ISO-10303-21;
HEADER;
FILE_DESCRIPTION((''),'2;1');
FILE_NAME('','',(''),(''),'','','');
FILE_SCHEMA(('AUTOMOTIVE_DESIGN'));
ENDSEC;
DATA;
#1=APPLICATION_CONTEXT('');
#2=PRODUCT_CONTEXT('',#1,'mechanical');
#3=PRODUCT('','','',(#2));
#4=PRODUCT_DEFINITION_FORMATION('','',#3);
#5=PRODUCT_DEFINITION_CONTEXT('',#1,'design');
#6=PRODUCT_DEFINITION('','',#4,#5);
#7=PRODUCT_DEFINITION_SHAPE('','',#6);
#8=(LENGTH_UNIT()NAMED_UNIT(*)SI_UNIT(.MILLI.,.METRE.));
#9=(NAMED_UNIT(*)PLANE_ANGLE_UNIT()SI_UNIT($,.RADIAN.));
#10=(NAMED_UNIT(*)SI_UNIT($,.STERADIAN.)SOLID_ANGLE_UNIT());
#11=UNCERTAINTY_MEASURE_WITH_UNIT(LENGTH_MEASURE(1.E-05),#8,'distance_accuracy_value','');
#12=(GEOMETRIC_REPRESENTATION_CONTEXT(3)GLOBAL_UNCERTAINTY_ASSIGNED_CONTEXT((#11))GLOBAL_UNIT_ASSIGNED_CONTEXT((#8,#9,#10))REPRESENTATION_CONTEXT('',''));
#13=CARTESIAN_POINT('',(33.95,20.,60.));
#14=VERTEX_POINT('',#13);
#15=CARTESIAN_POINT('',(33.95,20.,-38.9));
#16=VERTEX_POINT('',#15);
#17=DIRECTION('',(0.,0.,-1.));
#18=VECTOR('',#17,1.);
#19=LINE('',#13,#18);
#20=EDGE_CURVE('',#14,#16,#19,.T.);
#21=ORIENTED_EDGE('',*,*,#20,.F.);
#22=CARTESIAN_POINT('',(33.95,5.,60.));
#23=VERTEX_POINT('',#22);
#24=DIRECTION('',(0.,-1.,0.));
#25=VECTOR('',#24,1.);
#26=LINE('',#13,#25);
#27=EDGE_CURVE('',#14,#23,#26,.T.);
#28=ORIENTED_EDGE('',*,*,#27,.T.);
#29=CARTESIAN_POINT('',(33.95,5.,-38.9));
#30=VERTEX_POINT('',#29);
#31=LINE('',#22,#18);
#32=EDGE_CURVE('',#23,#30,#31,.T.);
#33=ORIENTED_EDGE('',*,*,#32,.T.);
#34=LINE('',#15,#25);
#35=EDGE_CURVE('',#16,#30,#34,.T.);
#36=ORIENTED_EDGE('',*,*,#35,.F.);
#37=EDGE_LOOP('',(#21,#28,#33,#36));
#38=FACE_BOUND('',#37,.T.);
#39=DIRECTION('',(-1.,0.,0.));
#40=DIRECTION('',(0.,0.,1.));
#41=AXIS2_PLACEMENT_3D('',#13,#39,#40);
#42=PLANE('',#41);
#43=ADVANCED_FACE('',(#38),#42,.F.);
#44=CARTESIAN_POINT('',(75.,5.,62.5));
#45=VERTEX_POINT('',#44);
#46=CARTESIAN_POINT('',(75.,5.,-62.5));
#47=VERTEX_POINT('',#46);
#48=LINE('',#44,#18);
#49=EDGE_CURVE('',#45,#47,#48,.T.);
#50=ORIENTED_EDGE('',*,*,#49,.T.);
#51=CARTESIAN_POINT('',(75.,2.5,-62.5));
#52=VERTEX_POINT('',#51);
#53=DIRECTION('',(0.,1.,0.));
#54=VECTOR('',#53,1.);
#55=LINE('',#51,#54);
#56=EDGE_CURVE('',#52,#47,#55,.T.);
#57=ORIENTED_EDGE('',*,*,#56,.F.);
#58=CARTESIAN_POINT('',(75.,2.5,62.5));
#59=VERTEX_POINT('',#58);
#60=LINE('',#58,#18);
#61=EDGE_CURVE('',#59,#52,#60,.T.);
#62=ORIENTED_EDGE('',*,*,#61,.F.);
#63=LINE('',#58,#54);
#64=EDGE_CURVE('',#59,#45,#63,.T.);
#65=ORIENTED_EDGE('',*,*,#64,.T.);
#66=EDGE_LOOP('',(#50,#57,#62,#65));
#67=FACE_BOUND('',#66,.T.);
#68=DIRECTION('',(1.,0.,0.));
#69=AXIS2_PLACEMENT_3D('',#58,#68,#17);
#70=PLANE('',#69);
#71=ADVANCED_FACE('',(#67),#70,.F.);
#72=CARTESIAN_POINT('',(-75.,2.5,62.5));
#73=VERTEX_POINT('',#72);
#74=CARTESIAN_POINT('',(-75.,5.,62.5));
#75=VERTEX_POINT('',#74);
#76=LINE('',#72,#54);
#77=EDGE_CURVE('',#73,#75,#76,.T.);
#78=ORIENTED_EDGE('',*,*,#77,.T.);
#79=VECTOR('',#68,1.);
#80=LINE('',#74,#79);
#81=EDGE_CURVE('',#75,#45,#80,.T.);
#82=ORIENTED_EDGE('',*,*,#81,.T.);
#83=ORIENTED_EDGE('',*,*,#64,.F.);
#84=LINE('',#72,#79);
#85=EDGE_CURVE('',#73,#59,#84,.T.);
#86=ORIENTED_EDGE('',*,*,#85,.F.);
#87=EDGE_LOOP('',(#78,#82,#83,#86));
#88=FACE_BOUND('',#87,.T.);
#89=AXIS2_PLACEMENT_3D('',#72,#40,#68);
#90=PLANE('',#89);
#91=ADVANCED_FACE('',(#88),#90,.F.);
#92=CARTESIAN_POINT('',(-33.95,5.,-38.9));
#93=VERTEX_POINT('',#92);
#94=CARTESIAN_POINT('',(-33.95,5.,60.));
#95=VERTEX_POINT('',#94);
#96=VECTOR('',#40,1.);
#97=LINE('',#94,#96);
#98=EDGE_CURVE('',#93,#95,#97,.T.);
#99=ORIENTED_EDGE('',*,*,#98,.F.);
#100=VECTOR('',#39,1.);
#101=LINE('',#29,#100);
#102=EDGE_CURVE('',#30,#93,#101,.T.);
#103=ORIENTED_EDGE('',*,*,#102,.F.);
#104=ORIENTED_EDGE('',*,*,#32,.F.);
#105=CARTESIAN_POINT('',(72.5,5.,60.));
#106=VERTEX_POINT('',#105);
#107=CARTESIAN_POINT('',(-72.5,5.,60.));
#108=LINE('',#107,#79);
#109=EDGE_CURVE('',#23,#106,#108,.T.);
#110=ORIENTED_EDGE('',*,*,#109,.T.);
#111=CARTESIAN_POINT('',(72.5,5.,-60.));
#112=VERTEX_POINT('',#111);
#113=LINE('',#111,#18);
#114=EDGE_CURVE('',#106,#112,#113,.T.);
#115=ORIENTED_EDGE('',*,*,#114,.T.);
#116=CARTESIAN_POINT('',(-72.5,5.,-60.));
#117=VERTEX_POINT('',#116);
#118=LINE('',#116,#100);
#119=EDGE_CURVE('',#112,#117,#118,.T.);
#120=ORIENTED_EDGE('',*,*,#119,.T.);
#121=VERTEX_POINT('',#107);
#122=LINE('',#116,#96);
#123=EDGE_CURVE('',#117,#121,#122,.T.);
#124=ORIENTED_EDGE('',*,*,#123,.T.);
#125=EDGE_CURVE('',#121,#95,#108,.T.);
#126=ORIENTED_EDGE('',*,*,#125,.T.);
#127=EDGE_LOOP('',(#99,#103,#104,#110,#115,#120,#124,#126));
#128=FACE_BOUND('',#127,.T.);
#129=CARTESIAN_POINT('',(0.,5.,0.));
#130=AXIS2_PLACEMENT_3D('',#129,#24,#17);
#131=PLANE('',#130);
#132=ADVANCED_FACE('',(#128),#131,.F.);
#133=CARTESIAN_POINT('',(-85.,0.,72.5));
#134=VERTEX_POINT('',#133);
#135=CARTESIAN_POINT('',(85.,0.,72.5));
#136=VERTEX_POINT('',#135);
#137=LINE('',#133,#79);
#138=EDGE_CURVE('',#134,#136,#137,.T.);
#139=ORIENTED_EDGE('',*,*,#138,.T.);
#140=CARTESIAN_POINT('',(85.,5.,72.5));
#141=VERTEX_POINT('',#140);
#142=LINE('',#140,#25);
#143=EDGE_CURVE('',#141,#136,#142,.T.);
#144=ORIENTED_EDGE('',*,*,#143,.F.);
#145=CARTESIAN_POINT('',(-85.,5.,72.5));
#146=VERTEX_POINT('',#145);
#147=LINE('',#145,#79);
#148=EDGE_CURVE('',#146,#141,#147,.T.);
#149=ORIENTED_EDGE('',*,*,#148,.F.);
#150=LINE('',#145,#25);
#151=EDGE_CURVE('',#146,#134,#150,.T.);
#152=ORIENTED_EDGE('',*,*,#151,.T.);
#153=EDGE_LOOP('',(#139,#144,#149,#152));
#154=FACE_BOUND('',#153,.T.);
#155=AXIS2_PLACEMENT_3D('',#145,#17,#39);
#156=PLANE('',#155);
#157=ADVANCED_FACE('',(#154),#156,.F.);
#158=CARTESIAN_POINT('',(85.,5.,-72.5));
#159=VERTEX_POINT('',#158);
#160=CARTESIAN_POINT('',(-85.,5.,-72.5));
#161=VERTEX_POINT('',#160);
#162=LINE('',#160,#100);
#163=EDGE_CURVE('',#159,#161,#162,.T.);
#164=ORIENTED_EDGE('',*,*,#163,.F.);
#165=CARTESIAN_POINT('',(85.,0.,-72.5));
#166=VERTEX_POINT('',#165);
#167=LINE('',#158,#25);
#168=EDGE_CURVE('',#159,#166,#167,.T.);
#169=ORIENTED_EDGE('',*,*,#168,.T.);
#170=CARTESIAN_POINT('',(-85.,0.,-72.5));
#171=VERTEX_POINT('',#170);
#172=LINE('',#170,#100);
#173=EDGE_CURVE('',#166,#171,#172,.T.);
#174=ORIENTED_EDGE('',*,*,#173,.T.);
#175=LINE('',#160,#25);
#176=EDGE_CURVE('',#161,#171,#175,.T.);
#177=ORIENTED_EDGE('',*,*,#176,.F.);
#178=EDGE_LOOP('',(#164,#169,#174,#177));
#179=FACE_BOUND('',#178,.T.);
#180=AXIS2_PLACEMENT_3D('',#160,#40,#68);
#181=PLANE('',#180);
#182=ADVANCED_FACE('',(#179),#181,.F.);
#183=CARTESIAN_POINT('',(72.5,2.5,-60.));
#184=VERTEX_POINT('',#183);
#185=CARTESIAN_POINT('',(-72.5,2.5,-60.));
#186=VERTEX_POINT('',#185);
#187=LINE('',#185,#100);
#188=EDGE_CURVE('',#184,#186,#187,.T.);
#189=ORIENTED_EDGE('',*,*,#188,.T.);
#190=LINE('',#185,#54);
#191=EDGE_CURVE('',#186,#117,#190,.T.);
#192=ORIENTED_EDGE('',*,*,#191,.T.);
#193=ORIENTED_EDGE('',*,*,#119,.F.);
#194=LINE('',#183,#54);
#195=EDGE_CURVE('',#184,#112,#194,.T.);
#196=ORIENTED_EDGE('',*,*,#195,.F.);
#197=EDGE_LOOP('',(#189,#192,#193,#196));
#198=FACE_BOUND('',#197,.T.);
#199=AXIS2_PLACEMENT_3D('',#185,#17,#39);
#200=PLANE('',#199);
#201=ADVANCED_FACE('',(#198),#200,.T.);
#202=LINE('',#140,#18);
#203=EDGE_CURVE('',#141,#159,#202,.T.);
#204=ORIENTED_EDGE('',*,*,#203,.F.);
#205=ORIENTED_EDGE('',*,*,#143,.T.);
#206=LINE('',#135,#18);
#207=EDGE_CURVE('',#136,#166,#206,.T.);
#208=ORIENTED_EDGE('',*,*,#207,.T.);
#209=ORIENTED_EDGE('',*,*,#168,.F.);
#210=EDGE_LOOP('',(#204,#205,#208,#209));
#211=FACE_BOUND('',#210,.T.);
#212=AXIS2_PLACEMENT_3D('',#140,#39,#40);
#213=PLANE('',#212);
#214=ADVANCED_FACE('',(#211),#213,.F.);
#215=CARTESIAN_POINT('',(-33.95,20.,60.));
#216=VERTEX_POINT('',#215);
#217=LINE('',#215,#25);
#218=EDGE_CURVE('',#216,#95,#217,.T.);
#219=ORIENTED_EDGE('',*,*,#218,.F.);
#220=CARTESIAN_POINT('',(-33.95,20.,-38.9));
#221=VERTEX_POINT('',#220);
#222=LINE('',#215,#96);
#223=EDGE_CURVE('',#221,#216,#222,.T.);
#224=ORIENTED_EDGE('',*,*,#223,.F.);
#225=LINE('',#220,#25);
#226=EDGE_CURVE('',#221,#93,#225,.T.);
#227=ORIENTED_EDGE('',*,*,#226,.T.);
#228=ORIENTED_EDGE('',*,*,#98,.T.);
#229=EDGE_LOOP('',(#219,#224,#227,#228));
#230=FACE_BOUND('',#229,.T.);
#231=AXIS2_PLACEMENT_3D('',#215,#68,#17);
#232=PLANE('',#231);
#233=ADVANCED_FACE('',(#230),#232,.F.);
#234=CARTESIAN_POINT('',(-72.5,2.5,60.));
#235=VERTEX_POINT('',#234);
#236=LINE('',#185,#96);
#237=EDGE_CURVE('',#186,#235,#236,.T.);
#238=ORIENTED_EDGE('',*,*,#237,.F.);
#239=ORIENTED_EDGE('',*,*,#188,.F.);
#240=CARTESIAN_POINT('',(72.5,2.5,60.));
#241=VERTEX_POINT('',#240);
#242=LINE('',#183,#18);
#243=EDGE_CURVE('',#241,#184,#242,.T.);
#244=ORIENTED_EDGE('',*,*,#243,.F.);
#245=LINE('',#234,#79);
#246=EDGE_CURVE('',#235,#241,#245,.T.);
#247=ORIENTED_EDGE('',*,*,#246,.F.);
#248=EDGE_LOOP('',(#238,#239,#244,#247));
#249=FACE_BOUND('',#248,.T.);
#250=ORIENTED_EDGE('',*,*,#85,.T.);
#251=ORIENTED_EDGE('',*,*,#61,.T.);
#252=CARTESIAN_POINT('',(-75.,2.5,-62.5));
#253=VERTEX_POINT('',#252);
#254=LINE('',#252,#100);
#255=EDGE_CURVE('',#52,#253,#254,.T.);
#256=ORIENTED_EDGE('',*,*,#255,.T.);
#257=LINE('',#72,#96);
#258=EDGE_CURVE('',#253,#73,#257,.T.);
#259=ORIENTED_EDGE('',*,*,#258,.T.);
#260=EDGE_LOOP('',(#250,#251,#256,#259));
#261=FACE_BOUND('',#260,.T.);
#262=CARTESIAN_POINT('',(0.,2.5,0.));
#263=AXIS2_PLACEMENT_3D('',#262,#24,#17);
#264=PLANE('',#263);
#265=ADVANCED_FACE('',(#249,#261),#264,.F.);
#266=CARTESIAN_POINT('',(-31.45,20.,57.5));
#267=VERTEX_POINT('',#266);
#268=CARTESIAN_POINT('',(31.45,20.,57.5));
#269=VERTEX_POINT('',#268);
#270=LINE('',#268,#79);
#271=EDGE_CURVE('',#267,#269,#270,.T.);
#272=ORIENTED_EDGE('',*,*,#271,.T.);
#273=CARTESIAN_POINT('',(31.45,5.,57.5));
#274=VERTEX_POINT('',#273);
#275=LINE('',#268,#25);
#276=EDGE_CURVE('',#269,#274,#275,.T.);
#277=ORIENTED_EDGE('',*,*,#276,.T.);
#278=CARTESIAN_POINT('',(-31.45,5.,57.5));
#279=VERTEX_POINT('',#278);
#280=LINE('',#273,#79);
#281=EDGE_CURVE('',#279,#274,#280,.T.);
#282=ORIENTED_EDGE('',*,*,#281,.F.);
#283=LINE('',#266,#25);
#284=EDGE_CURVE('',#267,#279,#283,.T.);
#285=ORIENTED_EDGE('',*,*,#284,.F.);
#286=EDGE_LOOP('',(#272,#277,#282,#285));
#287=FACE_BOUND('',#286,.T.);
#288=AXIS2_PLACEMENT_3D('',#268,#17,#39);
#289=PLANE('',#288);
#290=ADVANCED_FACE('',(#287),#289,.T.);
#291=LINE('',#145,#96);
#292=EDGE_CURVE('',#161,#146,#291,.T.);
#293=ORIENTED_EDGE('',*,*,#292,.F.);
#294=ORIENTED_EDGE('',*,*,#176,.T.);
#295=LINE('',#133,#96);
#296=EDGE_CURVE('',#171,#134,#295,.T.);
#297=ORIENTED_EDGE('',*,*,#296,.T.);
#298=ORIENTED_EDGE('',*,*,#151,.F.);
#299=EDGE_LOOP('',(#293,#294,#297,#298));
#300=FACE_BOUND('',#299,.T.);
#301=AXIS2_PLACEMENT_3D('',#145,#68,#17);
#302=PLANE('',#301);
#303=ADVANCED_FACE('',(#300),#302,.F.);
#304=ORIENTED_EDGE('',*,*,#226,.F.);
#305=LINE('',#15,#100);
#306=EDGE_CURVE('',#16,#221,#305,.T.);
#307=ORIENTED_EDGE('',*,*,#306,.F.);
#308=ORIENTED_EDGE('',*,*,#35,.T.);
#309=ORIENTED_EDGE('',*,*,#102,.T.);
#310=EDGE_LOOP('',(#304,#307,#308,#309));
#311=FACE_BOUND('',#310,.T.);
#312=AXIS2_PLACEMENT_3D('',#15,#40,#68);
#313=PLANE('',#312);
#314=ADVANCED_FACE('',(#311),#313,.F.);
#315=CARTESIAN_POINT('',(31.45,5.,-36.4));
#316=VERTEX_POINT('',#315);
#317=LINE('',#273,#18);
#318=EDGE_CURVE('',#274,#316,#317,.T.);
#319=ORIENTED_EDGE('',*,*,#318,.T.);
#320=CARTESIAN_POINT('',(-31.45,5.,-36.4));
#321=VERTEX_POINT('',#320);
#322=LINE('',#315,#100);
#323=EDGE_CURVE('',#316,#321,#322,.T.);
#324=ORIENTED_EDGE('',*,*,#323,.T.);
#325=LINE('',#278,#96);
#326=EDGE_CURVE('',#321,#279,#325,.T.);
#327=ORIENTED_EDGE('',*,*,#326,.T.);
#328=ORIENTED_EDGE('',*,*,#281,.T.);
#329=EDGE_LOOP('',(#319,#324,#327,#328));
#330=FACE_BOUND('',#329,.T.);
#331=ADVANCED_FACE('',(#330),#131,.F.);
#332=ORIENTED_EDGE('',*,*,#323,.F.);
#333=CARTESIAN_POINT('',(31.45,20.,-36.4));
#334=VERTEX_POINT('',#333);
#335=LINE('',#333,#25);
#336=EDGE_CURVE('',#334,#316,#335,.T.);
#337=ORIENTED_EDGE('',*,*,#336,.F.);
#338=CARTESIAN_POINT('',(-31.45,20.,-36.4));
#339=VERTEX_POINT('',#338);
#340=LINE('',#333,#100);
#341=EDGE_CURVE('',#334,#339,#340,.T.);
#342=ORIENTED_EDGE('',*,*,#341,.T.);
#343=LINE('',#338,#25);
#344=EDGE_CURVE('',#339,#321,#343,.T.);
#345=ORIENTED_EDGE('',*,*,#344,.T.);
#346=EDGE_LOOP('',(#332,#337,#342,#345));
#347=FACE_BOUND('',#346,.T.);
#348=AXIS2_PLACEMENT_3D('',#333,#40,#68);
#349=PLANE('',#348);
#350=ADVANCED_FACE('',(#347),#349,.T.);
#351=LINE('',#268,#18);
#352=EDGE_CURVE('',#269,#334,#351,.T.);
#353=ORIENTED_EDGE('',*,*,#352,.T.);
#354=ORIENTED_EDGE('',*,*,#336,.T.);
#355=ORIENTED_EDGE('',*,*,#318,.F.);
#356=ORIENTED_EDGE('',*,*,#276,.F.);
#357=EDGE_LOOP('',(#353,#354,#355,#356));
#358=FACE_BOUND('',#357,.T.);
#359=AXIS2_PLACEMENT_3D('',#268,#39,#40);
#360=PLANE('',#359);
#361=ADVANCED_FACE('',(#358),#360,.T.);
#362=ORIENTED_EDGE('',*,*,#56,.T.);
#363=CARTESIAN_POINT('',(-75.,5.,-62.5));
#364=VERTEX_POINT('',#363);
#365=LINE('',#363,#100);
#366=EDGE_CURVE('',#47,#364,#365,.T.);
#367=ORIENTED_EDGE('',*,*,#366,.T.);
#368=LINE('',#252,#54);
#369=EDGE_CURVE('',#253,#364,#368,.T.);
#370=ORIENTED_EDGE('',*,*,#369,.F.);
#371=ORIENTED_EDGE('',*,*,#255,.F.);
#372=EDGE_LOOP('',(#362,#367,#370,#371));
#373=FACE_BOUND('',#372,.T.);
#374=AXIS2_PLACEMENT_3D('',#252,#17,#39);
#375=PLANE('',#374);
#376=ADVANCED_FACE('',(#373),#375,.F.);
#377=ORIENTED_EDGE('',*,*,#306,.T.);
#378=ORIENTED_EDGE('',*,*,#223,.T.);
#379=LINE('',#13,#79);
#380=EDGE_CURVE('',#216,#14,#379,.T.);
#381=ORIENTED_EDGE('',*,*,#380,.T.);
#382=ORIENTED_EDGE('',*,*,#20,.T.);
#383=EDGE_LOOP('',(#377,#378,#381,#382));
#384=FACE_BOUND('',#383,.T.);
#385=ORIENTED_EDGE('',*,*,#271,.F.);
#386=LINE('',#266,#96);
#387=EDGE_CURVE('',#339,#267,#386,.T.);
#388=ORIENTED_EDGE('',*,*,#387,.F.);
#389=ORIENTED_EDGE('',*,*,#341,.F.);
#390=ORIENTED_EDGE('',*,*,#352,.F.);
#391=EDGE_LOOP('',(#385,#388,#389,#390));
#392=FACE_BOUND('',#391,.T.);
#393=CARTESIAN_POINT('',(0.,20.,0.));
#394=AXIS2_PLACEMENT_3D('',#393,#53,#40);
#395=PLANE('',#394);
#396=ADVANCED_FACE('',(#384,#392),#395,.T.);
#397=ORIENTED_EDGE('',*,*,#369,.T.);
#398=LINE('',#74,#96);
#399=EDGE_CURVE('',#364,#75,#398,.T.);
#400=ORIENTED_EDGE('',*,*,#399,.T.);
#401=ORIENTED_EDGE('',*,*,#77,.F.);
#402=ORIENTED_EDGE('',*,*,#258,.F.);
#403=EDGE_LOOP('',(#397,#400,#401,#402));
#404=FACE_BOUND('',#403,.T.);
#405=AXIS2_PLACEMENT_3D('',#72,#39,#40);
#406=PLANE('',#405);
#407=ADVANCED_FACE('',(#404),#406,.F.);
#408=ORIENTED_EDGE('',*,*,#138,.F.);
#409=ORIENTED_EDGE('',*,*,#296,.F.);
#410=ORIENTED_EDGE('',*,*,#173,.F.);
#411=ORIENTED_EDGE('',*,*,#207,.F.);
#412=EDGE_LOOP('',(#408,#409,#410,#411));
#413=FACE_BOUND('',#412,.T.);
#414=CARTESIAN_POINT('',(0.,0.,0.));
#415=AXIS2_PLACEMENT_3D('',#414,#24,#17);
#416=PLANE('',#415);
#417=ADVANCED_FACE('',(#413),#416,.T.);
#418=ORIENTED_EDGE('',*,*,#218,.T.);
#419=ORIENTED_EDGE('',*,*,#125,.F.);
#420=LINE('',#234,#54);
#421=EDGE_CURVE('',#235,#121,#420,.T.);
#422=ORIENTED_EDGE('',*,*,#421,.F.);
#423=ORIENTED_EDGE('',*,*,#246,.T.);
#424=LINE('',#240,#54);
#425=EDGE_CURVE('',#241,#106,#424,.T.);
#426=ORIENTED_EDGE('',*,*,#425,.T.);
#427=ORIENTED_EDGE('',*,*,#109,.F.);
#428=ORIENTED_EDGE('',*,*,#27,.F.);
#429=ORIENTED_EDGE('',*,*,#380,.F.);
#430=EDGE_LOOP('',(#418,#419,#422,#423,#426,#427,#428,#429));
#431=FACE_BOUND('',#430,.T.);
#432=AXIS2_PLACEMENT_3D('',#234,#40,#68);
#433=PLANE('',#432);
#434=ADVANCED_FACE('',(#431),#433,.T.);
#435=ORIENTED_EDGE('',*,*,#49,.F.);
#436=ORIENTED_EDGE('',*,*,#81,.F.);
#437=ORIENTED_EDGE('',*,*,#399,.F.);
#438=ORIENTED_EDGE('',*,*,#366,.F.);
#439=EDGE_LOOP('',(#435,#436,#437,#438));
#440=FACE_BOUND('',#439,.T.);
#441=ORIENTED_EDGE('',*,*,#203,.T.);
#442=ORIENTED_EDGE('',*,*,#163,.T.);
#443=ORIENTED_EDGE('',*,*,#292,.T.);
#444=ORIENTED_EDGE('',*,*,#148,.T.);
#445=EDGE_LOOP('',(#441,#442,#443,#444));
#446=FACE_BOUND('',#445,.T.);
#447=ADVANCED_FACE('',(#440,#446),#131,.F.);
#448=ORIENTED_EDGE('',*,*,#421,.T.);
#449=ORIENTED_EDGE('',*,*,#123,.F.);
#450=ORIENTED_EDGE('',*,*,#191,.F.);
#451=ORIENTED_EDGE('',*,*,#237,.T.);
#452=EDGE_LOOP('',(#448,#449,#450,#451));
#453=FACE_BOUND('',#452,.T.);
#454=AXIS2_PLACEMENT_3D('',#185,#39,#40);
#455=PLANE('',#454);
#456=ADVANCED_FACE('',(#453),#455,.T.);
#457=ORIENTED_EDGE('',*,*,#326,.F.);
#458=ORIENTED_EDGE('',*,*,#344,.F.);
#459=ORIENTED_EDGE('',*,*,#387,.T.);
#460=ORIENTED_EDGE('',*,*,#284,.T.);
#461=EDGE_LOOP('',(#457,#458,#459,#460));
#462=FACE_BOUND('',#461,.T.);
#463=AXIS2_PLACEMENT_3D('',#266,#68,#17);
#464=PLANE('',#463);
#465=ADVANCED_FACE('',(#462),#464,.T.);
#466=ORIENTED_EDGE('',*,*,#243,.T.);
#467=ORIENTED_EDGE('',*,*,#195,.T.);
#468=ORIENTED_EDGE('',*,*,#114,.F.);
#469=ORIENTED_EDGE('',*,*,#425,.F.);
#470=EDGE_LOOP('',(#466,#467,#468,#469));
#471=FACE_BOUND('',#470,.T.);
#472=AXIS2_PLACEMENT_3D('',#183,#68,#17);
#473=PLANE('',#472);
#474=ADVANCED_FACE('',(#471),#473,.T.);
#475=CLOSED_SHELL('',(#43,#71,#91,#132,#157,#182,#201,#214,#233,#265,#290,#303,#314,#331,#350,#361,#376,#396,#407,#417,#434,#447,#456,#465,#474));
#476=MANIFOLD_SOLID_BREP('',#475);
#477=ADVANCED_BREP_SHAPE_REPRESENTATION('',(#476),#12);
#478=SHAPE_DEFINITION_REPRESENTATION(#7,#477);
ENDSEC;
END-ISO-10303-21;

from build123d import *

# Parameters (mm, degrees)
SKETCH1_W           = 170
SKETCH1_H           = 145
BOSS_EXTRUDE1_DEPTH = 5
SKETCH2_W           = 150
SKETCH2_H           = 125
SKETCH2_W_2         = 145
SKETCH2_H_2         = 120
CUT_EXTRUDE1_DEPTH  = 2.5
SKETCH4_W           = 67.9
SKETCH4_H           = 98.9
SKETCH4_W_2         = 62.9
SKETCH4_H_2         = 93.9
BOSS_EXTRUDE2_DEPTH = 15


with BuildPart() as part:
    # Sketch1 → Boss-Extrude1 (new body)
    with BuildSketch(Plane(origin=(0, 0, 0), x_dir=(1, 0, 0), z_dir=(0, 1, 0))):
        Rectangle(SKETCH1_W, SKETCH1_H)
    extrude(amount=BOSS_EXTRUDE1_DEPTH)

    # Sketch2 → Cut-Extrude1 (cut)
    with BuildSketch(Plane(origin=(0, 5, 0), x_dir=(1, 0, 0), z_dir=(0, 1, 0))):
        Rectangle(SKETCH2_W, SKETCH2_H)
        Rectangle(SKETCH2_W_2, SKETCH2_H_2, mode=Mode.SUBTRACT)
    extrude(amount=-CUT_EXTRUDE1_DEPTH, mode=Mode.SUBTRACT)

    # Sketch4 → Boss-Extrude2 (add)
    with BuildSketch(Plane(origin=(0, 5, 0), x_dir=(1, 0, 0), z_dir=(0, 1, 0))):
        with Locations((0, -10.55)):
            Rectangle(SKETCH4_W, SKETCH4_H)
        with Locations((0, -10.55)):
            Rectangle(SKETCH4_W_2, SKETCH4_H_2, mode=Mode.SUBTRACT)
    extrude(amount=BOSS_EXTRUDE2_DEPTH)


solid = part.part
